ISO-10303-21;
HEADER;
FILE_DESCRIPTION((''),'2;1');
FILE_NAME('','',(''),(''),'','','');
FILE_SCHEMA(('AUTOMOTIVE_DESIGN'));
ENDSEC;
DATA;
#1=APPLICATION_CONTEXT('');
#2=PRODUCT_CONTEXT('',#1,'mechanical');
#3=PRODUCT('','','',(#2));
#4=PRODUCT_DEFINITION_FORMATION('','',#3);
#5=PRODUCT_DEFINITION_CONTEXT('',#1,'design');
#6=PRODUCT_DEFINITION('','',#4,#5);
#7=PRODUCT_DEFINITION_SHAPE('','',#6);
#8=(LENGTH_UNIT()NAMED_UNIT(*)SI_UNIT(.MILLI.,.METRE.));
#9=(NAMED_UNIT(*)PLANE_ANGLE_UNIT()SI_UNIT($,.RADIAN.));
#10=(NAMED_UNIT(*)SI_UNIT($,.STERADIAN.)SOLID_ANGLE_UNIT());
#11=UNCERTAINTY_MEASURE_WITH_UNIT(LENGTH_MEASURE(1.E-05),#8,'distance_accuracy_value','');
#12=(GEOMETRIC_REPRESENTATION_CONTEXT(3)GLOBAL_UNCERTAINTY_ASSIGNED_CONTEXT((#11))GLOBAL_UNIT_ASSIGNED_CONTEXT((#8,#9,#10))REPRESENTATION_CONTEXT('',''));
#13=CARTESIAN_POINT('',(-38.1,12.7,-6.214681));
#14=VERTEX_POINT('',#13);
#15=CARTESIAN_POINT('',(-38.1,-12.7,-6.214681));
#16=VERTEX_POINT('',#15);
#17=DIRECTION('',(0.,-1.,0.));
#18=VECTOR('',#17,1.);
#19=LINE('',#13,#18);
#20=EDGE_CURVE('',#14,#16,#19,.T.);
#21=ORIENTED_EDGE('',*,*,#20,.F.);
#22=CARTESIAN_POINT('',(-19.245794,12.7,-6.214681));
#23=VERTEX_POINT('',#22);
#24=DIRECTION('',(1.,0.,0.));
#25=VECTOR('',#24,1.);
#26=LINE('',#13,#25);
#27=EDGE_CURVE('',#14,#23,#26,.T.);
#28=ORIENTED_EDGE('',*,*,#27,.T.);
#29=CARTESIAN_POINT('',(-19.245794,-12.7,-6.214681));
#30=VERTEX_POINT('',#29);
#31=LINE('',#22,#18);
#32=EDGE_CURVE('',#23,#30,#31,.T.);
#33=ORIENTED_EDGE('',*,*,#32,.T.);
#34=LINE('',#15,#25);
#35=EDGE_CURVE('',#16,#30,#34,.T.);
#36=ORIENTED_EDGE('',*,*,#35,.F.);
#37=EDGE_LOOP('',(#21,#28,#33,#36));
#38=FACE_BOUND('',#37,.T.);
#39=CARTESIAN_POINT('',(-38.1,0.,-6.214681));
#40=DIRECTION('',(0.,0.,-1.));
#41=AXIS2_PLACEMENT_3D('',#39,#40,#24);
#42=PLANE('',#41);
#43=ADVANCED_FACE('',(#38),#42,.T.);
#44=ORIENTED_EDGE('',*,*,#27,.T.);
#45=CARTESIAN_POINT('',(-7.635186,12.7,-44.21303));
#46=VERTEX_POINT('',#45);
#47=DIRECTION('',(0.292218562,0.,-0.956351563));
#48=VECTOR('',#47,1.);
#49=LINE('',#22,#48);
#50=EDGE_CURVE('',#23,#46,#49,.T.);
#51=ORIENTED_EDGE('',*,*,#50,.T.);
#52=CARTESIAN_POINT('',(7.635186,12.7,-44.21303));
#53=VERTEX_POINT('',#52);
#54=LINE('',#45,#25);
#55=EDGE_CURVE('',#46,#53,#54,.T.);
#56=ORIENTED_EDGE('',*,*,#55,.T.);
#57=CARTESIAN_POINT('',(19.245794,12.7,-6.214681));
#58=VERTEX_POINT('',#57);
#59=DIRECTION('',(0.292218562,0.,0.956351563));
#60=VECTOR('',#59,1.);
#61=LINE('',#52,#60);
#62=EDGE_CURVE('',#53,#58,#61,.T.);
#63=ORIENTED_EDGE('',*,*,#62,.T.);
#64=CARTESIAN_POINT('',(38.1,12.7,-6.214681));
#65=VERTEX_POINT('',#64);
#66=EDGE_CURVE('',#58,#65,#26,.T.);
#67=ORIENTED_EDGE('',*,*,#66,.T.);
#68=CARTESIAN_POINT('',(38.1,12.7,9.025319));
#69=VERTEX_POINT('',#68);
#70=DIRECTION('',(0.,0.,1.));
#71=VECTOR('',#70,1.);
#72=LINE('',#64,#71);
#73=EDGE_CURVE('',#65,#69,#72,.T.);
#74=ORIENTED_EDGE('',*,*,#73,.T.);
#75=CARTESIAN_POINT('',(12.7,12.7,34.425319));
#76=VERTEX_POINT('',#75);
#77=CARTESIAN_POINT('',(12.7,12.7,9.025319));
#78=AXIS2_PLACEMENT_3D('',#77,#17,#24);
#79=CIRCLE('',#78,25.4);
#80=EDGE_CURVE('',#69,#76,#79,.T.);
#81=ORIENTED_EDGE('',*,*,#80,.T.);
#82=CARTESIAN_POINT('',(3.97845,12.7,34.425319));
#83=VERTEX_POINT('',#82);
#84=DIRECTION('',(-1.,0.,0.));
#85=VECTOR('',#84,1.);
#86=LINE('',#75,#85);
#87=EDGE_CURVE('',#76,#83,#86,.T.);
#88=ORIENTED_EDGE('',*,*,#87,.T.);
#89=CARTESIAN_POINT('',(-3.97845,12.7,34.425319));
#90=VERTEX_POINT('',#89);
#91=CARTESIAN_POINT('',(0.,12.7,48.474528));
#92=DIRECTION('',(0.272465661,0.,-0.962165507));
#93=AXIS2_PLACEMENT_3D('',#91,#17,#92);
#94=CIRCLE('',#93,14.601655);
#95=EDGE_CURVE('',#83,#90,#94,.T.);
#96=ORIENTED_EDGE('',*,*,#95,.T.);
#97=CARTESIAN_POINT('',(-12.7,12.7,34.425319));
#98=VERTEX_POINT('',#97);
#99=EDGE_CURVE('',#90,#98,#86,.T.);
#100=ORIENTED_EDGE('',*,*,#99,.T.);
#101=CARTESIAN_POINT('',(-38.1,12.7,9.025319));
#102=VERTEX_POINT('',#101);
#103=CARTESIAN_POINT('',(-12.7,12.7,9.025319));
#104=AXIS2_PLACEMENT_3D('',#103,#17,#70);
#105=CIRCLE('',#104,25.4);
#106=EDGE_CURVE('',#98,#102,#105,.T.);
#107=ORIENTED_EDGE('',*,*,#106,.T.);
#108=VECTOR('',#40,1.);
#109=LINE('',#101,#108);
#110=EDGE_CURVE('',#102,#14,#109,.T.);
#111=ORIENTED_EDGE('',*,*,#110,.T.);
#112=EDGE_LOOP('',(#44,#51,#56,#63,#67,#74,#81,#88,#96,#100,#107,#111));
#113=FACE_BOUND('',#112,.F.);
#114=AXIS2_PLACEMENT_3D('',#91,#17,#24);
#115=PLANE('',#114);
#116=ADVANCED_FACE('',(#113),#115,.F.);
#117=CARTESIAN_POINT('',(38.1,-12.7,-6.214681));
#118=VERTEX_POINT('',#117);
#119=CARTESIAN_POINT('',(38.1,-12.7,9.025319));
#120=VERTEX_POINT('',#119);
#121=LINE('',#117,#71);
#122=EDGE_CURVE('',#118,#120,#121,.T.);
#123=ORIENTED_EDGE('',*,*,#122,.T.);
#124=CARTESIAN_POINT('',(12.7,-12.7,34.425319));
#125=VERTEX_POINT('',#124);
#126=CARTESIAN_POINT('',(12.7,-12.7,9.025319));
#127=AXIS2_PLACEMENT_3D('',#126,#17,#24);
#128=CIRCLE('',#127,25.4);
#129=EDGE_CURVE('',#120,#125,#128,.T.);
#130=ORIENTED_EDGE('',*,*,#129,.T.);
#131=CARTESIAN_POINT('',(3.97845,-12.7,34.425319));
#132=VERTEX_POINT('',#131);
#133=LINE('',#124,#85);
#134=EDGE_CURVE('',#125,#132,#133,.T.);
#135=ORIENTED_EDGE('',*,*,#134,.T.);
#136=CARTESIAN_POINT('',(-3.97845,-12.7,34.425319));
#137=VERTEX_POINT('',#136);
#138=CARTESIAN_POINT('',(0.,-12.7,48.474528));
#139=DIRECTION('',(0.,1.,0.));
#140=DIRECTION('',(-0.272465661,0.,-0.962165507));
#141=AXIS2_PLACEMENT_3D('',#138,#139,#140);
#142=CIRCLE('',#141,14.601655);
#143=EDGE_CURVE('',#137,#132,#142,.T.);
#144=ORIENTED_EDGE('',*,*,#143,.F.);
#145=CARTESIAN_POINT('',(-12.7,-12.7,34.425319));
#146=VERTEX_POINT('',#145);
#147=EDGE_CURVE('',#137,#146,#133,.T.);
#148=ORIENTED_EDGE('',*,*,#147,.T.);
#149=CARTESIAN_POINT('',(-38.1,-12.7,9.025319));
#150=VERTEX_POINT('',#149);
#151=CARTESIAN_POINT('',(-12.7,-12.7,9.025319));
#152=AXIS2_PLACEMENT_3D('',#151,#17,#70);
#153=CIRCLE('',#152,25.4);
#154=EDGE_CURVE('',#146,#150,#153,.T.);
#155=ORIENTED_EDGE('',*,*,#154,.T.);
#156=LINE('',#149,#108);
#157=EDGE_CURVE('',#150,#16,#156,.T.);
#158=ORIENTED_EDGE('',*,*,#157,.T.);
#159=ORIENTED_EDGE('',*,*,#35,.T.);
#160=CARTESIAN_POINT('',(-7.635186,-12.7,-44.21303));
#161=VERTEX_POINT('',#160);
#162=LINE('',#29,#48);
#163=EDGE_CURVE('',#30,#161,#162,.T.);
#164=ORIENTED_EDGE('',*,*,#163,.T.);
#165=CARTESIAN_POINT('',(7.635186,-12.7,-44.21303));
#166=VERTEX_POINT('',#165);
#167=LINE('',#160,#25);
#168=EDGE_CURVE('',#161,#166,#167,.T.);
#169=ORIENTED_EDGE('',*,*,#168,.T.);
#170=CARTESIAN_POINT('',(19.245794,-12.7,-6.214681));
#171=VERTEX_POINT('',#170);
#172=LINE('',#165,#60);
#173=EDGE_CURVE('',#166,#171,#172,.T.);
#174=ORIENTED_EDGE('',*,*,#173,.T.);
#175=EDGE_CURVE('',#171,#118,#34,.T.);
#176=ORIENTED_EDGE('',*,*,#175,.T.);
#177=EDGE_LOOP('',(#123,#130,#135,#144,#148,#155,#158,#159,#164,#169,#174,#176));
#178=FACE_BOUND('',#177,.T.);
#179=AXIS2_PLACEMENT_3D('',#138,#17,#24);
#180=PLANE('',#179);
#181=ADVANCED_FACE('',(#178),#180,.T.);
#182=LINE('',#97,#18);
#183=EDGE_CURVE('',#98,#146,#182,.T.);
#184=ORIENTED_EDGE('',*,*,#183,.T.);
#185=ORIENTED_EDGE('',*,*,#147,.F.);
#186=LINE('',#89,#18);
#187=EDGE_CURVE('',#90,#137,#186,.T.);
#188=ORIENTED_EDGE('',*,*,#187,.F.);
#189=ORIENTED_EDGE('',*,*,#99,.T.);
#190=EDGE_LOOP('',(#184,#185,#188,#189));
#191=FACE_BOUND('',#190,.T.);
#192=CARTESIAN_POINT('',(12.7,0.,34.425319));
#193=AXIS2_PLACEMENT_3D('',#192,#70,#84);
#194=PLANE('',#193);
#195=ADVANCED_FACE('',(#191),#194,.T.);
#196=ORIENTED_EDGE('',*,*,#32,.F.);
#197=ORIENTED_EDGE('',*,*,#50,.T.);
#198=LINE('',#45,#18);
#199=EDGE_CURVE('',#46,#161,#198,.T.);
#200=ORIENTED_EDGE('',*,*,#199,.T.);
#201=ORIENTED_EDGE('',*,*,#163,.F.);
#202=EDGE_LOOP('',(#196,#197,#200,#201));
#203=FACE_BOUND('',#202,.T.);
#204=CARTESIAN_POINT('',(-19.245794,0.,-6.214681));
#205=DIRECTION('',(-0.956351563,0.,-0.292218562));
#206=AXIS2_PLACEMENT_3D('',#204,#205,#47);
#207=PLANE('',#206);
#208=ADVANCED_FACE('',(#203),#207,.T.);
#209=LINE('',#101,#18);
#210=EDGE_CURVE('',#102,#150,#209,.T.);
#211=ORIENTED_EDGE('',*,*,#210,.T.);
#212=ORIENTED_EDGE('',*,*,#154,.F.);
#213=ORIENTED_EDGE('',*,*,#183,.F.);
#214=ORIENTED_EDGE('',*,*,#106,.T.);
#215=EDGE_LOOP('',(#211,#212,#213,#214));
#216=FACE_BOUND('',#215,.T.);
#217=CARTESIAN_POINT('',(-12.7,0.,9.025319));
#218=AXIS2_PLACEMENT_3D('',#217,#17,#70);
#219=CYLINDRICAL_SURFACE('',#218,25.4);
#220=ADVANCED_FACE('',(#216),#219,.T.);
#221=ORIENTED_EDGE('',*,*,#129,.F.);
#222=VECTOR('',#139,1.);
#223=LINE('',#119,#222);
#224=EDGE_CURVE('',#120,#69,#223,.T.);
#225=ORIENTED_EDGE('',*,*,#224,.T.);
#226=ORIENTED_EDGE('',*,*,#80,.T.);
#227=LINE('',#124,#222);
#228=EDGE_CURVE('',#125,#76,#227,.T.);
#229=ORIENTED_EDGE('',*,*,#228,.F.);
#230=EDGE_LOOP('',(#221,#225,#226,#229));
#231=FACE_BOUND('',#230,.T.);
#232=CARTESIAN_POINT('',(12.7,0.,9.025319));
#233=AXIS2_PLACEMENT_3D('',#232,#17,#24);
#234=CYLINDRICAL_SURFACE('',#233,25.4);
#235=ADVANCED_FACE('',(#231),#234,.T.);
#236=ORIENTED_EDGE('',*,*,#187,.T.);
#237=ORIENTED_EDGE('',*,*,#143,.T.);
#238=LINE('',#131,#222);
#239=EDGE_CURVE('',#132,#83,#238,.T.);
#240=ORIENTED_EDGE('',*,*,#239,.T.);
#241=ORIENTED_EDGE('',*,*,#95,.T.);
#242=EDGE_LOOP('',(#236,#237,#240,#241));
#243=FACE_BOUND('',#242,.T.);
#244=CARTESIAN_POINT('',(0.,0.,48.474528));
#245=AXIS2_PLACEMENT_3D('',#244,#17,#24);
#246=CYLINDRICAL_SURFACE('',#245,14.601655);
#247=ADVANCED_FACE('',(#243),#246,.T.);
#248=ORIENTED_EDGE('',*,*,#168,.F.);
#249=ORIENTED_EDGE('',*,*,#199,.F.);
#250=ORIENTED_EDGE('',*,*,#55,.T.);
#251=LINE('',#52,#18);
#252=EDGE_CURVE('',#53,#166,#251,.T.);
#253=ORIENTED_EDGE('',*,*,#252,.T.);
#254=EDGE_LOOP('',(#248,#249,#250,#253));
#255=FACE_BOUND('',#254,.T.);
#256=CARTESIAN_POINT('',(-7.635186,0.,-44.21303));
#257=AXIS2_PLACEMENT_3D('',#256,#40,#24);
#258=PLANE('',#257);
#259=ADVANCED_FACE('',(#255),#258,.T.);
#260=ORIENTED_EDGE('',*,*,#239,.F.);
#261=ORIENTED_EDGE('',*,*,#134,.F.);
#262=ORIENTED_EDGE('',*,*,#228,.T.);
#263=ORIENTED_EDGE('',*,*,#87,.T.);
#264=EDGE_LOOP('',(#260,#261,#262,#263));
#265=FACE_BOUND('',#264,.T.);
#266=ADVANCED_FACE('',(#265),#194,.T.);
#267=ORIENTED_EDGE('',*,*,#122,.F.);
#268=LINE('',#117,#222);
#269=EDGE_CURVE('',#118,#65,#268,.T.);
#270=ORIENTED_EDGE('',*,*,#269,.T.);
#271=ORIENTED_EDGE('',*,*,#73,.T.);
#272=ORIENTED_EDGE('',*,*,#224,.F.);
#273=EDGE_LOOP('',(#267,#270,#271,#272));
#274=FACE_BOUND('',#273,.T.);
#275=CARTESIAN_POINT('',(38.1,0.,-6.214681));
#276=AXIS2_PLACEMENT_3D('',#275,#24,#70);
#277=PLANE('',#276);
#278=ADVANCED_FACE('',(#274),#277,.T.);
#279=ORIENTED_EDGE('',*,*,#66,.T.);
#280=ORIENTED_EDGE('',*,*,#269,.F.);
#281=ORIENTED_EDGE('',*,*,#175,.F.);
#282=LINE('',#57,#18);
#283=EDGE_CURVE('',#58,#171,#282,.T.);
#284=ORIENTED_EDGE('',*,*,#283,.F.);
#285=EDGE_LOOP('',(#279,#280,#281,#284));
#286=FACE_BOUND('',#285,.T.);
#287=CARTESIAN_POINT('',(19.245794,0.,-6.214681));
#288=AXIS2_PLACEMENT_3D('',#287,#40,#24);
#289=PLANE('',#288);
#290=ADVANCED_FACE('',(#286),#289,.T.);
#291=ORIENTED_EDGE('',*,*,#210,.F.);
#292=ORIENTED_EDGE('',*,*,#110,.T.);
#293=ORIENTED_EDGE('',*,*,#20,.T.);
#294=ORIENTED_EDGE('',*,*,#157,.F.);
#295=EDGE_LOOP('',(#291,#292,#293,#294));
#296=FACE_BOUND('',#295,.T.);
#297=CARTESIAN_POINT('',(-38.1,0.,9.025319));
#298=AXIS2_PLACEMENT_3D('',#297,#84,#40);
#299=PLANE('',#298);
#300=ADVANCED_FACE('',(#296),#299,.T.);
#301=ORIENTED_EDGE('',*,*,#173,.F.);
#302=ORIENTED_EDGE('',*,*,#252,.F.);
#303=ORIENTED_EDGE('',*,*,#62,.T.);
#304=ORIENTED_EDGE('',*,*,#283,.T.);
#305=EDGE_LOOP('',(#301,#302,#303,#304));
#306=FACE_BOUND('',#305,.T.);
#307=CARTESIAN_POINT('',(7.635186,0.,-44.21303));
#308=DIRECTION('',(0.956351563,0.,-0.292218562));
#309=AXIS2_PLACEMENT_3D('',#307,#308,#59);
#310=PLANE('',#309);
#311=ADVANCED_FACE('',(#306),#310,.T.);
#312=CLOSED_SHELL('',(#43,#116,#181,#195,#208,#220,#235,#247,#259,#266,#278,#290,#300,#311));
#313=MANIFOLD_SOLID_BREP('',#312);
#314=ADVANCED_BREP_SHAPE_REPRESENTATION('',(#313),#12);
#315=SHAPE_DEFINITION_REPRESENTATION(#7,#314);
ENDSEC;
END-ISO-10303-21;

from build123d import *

# Parameters (mm, degrees)
F2_DEPTH      = 12.7
F2_DEPTH_BACK = 12.7
F1_R          = 14.6016547105
F3_DEPTH      = 12.7
F3_DEPTH_BACK = 12.7


with BuildPart() as f2:
    # F0 (on Front) → F2 (new body, two sides)
    with BuildSketch(Plane.XZ) as f2_sk:
        with BuildLine():
            Line((12.7, 34.4253193842), (0, 34.4253193842))
            Line((0, 34.4253193842), (0, -5.8595561422))
            Line((0, -5.8595561422), (0, -6.2146806158))
            Line((0, -6.2146806158), (19.245794032, -6.2146806158))
            Line((19.245794032, -6.2146806158), (38.1, -6.2146806158))
            Line((38.1, -6.2146806158), (38.1, 9.0253193842))
            ThreePointArc((38.1, 9.0253193842), (30.6605122421, 26.9858316263), (12.7, 34.4253193842))
        make_face()
        with BuildLine():
            Line((0, -5.8595561422), (0, 34.4253193842))
            Line((0, 34.4253193842), (-12.7, 34.4253193842))
            ThreePointArc((-12.7, 34.4253193842), (-30.6605122421, 26.9858316263), (-38.1, 9.0253193842))
            Line((-38.1, 9.0253193842), (-38.1, -6.2146806158))
            Line((-38.1, -6.2146806158), (-19.245794032, -6.2146806158))
            Line((-19.245794032, -6.2146806158), (0, -5.8595561422))
        make_face()
        Polygon((0, -6.2146806158), (0, -5.8595561422), (-19.245794032, -6.2146806158), align=None)
        Polygon((19.245794032, -6.2146806158), (0, -6.2146806158), (-19.245794032, -6.2146806158), (-7.6351859607, -44.2130304873), (7.6351859607, -44.2130304873), align=None)
    extrude(amount=F2_DEPTH)
    extrude(f2_sk.sketch, amount=-F2_DEPTH_BACK)

    # F1 (on Front) → F3 (join, two sides)
    with BuildSketch(Plane.XZ) as f3_sk:
        with Locations((0, 48.4745278955)):
            Circle(F1_R)
    extrude(amount=F3_DEPTH)
    extrude(f3_sk.sketch, amount=-F3_DEPTH_BACK)


solid = f2.part
